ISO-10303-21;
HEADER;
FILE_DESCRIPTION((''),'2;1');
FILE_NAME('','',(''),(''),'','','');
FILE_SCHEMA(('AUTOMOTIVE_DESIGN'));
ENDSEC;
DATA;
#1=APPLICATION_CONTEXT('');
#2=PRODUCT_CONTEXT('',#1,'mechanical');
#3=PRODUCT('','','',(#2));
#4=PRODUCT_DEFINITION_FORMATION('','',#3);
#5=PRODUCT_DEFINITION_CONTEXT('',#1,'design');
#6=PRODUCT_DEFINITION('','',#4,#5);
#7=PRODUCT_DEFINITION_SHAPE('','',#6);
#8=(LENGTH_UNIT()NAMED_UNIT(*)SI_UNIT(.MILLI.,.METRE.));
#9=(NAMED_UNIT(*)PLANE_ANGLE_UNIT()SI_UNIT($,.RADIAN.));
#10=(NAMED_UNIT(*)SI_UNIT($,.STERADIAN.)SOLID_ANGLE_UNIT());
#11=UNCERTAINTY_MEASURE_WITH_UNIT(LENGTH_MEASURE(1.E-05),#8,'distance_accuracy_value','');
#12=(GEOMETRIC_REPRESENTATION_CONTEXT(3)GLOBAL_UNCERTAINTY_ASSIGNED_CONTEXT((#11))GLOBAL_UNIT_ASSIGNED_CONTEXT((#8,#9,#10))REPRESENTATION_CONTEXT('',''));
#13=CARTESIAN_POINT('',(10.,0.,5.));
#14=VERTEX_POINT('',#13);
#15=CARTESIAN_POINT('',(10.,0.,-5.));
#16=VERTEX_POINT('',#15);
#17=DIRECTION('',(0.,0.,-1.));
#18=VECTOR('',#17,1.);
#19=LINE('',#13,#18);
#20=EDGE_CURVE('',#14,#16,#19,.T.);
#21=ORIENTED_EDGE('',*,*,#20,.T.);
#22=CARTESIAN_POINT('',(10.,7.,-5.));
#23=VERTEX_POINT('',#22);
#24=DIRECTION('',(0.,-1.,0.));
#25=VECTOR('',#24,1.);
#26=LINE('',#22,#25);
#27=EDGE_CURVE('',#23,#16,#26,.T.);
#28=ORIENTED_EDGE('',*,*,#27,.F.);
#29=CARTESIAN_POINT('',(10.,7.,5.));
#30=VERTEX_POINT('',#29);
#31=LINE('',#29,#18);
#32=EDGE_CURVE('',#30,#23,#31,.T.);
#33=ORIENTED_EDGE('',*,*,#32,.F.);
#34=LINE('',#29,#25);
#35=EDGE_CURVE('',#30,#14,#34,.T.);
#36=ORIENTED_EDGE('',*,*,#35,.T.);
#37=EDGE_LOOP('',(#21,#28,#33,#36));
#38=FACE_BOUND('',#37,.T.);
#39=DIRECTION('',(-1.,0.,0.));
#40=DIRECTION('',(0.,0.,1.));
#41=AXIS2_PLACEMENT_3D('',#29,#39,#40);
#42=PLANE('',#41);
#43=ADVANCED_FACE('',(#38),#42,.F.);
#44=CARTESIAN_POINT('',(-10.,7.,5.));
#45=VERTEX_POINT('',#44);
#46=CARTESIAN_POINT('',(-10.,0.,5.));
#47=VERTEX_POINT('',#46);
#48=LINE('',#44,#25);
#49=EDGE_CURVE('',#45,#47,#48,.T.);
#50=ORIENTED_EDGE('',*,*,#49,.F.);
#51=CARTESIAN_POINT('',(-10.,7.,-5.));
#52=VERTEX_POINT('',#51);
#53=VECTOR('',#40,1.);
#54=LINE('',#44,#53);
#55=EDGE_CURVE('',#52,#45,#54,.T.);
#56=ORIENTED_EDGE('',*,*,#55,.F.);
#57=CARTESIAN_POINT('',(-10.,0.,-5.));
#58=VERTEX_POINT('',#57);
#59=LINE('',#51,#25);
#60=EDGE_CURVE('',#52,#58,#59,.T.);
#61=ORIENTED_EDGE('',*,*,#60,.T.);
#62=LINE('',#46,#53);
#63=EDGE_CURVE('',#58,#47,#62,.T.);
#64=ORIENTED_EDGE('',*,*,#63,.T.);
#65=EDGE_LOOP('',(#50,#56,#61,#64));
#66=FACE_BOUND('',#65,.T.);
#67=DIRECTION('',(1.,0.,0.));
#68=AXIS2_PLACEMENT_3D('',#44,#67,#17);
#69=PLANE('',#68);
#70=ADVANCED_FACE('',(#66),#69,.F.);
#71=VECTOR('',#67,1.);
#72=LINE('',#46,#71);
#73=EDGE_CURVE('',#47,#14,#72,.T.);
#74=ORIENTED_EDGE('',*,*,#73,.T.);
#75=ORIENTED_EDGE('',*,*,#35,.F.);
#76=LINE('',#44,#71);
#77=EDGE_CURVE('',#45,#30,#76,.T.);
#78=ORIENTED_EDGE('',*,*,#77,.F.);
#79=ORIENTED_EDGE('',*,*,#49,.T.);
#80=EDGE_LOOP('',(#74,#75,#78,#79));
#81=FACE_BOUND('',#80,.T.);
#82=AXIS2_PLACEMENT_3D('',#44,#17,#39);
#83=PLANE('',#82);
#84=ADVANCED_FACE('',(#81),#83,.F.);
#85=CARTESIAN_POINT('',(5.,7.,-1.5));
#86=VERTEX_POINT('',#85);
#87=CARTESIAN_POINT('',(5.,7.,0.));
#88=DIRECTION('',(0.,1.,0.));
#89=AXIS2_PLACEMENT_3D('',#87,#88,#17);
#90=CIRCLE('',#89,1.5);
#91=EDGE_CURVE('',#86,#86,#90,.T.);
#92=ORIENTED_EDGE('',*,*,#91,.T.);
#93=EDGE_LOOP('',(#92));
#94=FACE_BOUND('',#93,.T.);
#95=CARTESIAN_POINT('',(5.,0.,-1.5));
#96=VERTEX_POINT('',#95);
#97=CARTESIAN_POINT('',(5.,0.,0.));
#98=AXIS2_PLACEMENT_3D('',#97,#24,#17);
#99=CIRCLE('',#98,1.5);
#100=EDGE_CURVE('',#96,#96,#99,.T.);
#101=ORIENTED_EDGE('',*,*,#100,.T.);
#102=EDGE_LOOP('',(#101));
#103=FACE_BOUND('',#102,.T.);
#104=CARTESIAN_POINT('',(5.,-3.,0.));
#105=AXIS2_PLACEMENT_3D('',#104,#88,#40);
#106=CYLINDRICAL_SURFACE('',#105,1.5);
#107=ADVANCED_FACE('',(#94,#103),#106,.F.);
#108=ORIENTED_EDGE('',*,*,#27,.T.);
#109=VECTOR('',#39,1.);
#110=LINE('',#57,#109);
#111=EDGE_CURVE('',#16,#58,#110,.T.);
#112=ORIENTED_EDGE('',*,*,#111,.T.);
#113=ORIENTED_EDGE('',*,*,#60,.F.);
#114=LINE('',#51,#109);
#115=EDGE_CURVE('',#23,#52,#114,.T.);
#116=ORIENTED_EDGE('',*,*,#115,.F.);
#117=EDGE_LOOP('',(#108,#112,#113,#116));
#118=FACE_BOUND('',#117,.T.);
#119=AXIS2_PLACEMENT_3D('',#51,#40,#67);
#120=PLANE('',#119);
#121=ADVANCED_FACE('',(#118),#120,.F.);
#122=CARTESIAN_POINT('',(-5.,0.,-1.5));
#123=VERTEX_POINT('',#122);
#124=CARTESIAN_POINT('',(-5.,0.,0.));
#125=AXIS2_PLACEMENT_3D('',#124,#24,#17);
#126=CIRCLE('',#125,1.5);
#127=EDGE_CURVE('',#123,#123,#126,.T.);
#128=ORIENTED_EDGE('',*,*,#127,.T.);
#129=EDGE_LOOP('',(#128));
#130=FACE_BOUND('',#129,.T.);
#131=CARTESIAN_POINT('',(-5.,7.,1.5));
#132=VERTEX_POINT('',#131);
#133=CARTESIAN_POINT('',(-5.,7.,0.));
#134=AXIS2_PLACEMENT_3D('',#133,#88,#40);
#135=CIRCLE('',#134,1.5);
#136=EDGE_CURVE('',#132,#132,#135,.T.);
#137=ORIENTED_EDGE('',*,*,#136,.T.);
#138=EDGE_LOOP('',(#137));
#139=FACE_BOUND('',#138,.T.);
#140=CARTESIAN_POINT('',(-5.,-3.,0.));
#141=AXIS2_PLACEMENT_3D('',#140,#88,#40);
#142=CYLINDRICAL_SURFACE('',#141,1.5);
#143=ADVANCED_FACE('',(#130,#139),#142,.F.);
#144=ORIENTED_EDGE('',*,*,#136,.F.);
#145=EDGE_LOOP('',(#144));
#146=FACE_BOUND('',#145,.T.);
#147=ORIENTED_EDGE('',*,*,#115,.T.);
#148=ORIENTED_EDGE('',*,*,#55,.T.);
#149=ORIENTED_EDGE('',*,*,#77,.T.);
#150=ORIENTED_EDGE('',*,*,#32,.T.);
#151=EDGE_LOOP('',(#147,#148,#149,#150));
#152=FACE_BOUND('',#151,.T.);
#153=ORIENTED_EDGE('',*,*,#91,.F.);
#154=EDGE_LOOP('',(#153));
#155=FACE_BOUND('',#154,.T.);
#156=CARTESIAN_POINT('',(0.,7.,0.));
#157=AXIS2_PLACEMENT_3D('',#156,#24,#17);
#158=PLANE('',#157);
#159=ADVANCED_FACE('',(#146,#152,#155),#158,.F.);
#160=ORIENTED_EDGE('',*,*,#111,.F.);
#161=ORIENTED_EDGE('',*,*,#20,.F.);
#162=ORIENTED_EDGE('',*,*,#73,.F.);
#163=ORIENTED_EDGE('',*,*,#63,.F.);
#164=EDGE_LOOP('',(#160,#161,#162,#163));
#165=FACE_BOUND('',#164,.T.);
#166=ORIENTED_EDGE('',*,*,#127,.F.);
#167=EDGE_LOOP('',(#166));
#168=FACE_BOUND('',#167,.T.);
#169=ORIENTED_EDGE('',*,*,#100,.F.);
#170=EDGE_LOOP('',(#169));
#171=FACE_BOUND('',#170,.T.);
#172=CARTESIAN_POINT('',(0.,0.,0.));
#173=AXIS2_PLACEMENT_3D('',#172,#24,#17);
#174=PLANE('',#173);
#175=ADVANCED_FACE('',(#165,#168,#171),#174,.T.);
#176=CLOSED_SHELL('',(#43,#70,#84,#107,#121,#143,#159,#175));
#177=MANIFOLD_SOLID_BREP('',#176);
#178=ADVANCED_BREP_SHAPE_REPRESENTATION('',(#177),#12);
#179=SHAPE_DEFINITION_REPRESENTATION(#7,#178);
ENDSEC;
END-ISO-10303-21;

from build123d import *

# Parameters (mm, degrees)
SKETCH1_W           = 20
SKETCH1_H           = 10
BOSS_EXTRUDE1_DEPTH = 7
SKETCH2_R           = 1.5
CUT_EXTRUDE1_DEPTH  = 10


with BuildPart() as part:
    # Sketch1 → Boss-Extrude1 (new body)
    with BuildSketch(Plane(origin=(0, 0, 0), x_dir=(1, 0, 0), z_dir=(0, 1, 0))):
        Rectangle(SKETCH1_W, SKETCH1_H)
    extrude(amount=BOSS_EXTRUDE1_DEPTH)

    # Sketch2 → Cut-Extrude1 (cut)
    with BuildSketch(Plane(origin=(0, 7, 0), x_dir=(1, 0, 0), z_dir=(0, 1, 0))):
        with Locations(Location((-5, 0, 0), (0, 0, 270))):
            Circle(SKETCH2_R)
        with Locations(Location((5, 0, 0), (0, 0, 90))):
            Circle(SKETCH2_R)
    extrude(amount=-CUT_EXTRUDE1_DEPTH, mode=Mode.SUBTRACT)


solid = part.part
